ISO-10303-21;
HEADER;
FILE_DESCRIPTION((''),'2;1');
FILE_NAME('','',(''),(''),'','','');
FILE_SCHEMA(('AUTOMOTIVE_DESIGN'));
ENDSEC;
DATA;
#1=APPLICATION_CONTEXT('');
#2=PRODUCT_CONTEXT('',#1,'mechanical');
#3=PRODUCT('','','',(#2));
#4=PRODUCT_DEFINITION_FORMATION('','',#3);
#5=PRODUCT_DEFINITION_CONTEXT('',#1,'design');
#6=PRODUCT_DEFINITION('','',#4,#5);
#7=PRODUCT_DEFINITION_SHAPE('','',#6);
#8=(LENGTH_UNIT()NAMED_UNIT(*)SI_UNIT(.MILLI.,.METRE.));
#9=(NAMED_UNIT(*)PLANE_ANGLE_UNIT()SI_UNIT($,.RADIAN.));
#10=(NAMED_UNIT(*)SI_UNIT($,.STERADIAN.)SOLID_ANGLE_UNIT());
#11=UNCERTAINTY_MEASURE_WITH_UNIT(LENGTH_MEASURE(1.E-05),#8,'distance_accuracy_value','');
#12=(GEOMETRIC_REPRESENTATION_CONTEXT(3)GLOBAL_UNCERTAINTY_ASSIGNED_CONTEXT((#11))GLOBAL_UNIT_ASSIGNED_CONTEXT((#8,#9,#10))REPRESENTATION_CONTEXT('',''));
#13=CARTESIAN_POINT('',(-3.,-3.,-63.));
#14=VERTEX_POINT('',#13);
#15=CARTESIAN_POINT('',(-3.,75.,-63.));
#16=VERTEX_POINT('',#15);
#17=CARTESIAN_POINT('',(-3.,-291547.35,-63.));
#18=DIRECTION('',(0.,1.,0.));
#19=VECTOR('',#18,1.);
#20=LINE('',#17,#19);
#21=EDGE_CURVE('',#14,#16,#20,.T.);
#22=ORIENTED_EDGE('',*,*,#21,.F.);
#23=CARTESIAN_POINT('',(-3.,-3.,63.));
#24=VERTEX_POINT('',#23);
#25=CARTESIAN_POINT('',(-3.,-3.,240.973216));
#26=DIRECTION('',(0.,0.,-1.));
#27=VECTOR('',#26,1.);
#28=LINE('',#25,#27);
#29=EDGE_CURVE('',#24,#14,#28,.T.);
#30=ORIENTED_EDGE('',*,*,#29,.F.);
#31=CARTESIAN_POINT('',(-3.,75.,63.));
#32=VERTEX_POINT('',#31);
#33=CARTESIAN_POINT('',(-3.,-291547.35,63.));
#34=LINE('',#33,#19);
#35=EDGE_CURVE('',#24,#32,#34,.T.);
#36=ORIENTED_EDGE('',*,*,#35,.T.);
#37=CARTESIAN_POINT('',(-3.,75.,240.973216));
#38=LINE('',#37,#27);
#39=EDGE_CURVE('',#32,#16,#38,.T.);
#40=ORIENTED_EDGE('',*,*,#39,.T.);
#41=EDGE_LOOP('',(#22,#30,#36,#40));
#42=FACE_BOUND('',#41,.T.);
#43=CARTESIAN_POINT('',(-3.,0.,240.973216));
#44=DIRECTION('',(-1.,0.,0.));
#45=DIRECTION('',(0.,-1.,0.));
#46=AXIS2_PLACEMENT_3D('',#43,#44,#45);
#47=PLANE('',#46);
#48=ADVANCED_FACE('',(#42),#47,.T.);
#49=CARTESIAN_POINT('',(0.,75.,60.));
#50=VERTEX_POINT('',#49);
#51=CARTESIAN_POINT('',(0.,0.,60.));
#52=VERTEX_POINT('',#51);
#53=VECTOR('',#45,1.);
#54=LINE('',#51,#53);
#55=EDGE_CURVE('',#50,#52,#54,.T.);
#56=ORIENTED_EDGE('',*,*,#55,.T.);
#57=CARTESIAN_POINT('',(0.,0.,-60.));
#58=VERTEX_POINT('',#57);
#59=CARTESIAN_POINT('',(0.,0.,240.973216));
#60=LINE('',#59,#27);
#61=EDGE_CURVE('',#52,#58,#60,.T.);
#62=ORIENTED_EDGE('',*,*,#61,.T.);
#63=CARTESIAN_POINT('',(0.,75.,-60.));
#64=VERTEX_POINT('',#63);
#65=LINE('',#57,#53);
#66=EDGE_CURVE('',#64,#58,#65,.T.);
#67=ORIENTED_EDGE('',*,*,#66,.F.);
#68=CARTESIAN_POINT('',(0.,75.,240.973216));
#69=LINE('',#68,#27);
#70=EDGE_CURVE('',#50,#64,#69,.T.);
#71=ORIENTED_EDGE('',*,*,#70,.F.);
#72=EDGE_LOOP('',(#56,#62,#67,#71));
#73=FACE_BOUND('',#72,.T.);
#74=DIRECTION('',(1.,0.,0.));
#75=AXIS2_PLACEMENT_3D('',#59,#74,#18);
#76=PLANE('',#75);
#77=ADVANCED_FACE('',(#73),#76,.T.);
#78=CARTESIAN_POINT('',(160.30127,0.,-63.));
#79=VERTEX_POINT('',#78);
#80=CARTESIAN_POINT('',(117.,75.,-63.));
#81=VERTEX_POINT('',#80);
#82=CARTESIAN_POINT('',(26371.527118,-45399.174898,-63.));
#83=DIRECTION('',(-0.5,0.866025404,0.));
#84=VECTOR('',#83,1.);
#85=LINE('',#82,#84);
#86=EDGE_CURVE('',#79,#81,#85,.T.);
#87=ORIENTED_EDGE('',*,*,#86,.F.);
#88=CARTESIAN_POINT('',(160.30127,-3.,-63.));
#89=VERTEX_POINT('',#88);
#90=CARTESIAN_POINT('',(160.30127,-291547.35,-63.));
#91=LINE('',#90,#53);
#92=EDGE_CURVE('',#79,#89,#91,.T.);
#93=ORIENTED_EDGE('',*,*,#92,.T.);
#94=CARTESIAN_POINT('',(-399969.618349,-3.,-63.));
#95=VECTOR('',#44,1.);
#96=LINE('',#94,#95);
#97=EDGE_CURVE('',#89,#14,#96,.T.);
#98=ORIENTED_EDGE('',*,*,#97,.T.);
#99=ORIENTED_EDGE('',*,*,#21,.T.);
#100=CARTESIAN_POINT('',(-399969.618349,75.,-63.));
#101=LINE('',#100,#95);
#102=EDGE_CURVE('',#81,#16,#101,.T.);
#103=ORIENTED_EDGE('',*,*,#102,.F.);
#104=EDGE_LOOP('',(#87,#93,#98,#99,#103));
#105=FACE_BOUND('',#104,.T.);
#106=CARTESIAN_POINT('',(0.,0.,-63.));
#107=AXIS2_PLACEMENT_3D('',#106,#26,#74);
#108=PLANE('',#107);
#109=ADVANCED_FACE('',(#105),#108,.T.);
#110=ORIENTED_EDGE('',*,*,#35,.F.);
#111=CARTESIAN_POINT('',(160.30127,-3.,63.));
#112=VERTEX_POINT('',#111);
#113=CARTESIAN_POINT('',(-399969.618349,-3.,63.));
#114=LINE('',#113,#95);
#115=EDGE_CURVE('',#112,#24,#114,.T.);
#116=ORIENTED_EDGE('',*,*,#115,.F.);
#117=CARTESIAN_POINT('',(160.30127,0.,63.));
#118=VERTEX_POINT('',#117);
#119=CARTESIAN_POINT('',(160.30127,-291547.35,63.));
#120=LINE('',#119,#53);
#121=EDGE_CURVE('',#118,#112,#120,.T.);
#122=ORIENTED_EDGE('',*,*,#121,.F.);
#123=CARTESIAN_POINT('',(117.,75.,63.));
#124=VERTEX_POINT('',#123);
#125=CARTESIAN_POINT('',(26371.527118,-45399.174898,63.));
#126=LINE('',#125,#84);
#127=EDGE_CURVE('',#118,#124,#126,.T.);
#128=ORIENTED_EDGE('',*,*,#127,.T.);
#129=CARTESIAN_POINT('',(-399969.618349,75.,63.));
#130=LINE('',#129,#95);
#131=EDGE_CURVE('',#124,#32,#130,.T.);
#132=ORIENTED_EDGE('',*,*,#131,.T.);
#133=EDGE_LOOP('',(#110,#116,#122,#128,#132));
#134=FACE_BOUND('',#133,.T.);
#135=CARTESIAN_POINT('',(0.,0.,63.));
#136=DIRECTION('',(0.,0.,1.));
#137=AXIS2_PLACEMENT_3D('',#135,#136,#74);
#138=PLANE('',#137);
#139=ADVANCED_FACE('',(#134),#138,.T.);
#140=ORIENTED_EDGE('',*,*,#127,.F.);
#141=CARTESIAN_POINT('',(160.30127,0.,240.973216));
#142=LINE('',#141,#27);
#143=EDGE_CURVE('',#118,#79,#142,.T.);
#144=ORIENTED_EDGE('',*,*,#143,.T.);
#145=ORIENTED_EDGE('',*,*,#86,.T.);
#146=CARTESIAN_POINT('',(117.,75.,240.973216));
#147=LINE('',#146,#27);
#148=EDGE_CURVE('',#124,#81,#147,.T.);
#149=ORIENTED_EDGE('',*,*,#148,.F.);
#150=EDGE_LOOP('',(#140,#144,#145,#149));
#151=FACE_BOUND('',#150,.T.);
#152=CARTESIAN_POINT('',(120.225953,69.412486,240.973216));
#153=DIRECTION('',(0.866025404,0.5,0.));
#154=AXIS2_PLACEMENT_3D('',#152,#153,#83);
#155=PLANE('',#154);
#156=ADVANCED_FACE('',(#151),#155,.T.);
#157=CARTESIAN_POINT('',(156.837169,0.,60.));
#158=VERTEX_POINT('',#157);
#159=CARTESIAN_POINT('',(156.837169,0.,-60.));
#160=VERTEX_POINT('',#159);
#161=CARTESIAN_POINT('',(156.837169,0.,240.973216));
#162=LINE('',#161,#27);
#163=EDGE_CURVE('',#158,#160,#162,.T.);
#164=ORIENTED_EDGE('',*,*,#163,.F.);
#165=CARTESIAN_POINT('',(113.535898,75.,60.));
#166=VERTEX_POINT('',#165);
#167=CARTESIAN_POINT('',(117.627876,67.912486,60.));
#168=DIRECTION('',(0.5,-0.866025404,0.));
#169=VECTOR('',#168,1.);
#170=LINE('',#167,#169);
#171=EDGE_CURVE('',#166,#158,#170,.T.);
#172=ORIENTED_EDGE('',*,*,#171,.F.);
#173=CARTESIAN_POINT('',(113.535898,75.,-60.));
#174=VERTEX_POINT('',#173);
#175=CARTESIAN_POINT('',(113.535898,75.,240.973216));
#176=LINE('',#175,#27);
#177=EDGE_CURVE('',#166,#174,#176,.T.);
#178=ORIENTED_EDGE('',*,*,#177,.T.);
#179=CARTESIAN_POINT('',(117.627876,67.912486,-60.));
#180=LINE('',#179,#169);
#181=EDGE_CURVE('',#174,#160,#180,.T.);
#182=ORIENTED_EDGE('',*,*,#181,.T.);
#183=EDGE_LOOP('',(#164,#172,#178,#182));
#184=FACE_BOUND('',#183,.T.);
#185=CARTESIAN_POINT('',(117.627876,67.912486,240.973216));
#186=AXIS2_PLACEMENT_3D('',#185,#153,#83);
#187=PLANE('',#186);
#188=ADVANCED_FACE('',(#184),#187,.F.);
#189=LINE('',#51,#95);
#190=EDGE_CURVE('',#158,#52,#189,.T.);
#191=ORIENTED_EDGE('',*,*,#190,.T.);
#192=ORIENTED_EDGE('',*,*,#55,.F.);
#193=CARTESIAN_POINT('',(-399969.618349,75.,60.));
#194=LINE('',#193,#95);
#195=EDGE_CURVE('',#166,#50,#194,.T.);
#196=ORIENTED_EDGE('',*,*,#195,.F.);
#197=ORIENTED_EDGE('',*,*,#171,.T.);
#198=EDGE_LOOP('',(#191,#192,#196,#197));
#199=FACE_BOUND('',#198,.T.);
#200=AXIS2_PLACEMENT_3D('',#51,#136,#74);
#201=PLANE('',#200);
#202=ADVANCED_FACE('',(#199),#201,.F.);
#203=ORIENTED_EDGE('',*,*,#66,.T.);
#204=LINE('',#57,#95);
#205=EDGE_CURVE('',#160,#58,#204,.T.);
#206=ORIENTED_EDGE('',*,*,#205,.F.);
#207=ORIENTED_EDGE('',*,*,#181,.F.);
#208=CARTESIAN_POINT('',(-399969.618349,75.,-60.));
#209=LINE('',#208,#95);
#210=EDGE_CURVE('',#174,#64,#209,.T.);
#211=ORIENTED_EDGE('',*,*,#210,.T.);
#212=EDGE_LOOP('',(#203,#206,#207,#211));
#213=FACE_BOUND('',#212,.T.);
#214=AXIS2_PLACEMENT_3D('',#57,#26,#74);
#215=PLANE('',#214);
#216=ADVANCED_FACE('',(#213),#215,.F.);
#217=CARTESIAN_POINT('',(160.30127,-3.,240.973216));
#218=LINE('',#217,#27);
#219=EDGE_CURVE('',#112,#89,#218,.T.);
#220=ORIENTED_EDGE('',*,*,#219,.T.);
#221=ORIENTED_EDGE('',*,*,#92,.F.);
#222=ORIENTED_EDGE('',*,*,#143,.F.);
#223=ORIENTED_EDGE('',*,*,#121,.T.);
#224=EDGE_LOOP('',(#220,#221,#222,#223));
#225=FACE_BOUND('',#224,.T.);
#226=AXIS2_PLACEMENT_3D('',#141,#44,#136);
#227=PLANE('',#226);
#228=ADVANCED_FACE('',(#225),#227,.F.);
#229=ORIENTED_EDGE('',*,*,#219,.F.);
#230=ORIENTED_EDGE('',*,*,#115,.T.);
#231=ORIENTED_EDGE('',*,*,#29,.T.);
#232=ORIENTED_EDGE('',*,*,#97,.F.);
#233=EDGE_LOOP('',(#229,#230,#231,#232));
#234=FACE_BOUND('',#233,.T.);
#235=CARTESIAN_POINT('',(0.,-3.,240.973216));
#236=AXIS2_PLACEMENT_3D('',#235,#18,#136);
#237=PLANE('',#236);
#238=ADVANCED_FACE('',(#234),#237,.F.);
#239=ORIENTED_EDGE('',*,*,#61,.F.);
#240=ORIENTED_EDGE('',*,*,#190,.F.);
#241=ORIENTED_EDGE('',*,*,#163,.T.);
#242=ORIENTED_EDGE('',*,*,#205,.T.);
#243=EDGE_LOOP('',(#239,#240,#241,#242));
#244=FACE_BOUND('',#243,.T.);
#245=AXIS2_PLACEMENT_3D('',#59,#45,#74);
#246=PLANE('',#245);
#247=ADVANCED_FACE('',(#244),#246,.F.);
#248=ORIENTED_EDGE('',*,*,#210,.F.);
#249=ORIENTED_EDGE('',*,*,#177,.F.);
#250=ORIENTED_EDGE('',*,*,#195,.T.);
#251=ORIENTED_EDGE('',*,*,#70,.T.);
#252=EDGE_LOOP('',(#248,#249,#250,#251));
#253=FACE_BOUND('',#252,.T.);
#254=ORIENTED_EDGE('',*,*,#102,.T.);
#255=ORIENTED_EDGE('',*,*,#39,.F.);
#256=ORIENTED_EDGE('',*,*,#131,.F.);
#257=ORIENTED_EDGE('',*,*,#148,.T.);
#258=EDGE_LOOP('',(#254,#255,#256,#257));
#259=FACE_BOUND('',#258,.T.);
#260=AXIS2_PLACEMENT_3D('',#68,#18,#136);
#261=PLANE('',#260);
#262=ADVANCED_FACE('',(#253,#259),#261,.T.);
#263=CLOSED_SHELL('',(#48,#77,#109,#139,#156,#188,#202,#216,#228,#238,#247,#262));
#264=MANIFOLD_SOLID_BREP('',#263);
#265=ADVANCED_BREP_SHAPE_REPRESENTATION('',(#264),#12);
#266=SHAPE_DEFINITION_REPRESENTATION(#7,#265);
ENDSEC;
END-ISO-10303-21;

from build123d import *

# Parameters (mm, degrees)
SKETCH2_W           = 3
SKETCH2_H           = 75
SKETCH2_W_2         = 163.301270189
SKETCH2_H_2         = 3
BOSS_EXTRUDE3_DEPTH = 60
BOSS_EXTRUDE4_START = 60
SKETCH2_3_W         = 163.301270189
SKETCH2_3_H         = 3
SKETCH2_3_W_2       = 3
SKETCH2_3_H_2       = 75
BOSS_EXTRUDE4_DEPTH = 3


with BuildPart() as part:
    # Sketch2 → Boss-Extrude3 (new body)
    with BuildSketch(Plane.XY):
        with Locations((-1.5, 37.5)):
            Rectangle(SKETCH2_W, SKETCH2_H)
        Polygon((156.837168574, 0), (160.301270189, 0), (117, 75), (113.535898385, 75), align=None)
        with Locations((78.650635095, -1.5)):
            Rectangle(SKETCH2_W_2, SKETCH2_H_2)
    extrude(amount=BOSS_EXTRUDE3_DEPTH)

    # Sketch2<3> → Boss-Extrude4 (add)
    with BuildSketch(Plane.XY.offset(BOSS_EXTRUDE4_START)):
        Polygon((156.837168574, 0), (160.301270189, 0), (117, 75), (113.535898385, 75), align=None)
        with Locations((78.650635095, -1.5)):
            Rectangle(SKETCH2_3_W, SKETCH2_3_H)
        Polygon((0, 0), (156.837168574, 0), (113.535898385, 75), (0, 75), align=None)
        with Locations((-1.5, 37.5)):
            Rectangle(SKETCH2_3_W_2, SKETCH2_3_H_2)
    extrude(amount=BOSS_EXTRUDE4_DEPTH)

    # Mirror2: part across plane


with BuildPart() as part_1:
    add(part.part)
    add(part.part.mirror(Plane.XY))


solid = part_1.part
